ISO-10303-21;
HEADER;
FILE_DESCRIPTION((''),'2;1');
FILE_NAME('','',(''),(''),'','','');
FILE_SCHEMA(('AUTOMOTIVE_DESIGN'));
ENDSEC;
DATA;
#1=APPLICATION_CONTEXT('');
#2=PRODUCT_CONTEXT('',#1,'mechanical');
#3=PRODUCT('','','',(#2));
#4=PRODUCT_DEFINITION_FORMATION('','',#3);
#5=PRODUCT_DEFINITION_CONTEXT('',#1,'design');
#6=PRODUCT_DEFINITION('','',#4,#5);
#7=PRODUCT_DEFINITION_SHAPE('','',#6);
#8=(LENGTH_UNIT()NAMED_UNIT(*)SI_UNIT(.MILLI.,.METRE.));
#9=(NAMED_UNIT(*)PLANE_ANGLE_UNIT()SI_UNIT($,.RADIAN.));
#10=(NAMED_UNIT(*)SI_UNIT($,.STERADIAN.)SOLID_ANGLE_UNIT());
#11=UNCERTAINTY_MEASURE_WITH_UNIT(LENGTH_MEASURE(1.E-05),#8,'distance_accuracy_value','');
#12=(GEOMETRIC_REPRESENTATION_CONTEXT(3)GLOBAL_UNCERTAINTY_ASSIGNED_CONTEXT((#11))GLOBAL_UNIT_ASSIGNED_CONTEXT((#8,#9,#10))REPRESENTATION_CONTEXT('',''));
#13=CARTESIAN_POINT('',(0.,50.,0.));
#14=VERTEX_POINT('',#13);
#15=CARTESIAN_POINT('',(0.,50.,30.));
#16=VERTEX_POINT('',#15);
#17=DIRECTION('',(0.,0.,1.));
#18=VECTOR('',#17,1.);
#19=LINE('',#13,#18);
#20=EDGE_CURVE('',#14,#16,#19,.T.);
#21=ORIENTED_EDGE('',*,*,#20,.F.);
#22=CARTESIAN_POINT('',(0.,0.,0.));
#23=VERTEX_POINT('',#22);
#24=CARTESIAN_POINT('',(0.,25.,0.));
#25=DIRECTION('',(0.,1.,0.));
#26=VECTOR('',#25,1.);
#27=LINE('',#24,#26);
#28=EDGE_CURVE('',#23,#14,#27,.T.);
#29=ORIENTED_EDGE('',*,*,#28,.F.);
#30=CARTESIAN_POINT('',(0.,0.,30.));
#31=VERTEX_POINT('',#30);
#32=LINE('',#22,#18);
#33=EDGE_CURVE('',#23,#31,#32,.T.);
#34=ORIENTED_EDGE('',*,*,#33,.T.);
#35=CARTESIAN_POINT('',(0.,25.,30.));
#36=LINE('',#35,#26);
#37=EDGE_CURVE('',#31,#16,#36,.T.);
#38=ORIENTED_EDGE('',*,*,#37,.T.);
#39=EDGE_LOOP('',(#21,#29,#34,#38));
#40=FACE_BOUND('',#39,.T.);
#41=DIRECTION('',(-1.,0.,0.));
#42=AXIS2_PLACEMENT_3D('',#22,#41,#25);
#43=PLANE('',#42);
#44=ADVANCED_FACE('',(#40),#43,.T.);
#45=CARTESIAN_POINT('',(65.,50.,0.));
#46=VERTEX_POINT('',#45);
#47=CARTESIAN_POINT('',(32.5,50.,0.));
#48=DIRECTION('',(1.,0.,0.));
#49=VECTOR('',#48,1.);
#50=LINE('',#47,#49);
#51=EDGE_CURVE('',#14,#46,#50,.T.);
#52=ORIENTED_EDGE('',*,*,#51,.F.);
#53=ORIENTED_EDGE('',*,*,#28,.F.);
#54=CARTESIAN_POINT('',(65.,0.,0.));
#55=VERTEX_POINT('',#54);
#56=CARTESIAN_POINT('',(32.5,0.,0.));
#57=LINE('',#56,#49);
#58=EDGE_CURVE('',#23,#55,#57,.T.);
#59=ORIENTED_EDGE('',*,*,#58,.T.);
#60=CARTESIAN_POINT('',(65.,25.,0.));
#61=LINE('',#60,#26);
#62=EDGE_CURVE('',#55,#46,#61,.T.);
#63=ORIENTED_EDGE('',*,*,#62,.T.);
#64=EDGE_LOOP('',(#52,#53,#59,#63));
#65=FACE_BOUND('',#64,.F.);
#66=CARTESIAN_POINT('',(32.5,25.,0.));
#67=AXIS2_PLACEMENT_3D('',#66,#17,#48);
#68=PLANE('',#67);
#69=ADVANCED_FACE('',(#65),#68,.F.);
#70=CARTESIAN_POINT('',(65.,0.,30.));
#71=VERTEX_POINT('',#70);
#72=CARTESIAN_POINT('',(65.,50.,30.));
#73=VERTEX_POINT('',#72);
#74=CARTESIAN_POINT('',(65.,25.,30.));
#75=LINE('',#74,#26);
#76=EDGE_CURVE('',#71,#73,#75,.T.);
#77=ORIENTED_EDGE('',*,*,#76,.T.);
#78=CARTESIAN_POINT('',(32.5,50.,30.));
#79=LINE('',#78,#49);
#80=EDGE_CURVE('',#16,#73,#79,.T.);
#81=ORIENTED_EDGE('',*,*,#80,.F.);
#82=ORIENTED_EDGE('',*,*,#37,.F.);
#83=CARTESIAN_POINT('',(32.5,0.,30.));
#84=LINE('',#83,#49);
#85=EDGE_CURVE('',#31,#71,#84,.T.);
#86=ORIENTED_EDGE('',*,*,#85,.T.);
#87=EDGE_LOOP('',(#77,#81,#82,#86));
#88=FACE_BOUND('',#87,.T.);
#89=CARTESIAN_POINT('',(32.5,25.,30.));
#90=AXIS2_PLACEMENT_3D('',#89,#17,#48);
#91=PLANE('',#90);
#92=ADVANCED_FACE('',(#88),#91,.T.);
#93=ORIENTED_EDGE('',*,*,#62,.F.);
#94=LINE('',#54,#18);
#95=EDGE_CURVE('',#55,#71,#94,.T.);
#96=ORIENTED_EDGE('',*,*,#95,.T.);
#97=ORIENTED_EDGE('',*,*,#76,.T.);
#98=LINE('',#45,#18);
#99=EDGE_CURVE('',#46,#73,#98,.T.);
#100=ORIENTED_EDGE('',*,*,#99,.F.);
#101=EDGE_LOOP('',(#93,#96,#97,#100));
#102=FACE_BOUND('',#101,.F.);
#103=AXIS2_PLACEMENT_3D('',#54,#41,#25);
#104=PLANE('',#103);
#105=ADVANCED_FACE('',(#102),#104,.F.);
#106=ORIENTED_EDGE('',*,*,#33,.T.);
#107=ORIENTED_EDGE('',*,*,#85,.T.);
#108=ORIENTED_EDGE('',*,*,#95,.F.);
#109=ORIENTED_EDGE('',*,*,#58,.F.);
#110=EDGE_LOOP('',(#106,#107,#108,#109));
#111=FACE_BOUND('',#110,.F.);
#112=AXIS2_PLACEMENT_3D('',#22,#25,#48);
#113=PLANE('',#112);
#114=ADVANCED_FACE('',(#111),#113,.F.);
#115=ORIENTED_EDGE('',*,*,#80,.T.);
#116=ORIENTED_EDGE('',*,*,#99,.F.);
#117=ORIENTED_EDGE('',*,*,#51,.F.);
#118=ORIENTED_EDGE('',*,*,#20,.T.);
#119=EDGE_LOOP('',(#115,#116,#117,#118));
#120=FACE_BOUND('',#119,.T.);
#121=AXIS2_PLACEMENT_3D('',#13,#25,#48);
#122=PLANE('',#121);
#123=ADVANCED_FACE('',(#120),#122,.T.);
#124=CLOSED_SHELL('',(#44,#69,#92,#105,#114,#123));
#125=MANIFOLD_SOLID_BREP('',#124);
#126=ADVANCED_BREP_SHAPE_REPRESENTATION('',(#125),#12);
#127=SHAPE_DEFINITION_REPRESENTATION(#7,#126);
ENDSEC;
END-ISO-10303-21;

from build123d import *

# Parameters (mm, degrees)
SKETCH_W  = 65
SKETCH_H  = 50
PAD_DEPTH = 30


with BuildPart() as part:
    # Sketch → Pad (new body)
    with BuildSketch(Plane.XY):
        with Locations((32.5, 25)):
            Rectangle(SKETCH_W, SKETCH_H)
    extrude(amount=PAD_DEPTH)


solid = part.part
